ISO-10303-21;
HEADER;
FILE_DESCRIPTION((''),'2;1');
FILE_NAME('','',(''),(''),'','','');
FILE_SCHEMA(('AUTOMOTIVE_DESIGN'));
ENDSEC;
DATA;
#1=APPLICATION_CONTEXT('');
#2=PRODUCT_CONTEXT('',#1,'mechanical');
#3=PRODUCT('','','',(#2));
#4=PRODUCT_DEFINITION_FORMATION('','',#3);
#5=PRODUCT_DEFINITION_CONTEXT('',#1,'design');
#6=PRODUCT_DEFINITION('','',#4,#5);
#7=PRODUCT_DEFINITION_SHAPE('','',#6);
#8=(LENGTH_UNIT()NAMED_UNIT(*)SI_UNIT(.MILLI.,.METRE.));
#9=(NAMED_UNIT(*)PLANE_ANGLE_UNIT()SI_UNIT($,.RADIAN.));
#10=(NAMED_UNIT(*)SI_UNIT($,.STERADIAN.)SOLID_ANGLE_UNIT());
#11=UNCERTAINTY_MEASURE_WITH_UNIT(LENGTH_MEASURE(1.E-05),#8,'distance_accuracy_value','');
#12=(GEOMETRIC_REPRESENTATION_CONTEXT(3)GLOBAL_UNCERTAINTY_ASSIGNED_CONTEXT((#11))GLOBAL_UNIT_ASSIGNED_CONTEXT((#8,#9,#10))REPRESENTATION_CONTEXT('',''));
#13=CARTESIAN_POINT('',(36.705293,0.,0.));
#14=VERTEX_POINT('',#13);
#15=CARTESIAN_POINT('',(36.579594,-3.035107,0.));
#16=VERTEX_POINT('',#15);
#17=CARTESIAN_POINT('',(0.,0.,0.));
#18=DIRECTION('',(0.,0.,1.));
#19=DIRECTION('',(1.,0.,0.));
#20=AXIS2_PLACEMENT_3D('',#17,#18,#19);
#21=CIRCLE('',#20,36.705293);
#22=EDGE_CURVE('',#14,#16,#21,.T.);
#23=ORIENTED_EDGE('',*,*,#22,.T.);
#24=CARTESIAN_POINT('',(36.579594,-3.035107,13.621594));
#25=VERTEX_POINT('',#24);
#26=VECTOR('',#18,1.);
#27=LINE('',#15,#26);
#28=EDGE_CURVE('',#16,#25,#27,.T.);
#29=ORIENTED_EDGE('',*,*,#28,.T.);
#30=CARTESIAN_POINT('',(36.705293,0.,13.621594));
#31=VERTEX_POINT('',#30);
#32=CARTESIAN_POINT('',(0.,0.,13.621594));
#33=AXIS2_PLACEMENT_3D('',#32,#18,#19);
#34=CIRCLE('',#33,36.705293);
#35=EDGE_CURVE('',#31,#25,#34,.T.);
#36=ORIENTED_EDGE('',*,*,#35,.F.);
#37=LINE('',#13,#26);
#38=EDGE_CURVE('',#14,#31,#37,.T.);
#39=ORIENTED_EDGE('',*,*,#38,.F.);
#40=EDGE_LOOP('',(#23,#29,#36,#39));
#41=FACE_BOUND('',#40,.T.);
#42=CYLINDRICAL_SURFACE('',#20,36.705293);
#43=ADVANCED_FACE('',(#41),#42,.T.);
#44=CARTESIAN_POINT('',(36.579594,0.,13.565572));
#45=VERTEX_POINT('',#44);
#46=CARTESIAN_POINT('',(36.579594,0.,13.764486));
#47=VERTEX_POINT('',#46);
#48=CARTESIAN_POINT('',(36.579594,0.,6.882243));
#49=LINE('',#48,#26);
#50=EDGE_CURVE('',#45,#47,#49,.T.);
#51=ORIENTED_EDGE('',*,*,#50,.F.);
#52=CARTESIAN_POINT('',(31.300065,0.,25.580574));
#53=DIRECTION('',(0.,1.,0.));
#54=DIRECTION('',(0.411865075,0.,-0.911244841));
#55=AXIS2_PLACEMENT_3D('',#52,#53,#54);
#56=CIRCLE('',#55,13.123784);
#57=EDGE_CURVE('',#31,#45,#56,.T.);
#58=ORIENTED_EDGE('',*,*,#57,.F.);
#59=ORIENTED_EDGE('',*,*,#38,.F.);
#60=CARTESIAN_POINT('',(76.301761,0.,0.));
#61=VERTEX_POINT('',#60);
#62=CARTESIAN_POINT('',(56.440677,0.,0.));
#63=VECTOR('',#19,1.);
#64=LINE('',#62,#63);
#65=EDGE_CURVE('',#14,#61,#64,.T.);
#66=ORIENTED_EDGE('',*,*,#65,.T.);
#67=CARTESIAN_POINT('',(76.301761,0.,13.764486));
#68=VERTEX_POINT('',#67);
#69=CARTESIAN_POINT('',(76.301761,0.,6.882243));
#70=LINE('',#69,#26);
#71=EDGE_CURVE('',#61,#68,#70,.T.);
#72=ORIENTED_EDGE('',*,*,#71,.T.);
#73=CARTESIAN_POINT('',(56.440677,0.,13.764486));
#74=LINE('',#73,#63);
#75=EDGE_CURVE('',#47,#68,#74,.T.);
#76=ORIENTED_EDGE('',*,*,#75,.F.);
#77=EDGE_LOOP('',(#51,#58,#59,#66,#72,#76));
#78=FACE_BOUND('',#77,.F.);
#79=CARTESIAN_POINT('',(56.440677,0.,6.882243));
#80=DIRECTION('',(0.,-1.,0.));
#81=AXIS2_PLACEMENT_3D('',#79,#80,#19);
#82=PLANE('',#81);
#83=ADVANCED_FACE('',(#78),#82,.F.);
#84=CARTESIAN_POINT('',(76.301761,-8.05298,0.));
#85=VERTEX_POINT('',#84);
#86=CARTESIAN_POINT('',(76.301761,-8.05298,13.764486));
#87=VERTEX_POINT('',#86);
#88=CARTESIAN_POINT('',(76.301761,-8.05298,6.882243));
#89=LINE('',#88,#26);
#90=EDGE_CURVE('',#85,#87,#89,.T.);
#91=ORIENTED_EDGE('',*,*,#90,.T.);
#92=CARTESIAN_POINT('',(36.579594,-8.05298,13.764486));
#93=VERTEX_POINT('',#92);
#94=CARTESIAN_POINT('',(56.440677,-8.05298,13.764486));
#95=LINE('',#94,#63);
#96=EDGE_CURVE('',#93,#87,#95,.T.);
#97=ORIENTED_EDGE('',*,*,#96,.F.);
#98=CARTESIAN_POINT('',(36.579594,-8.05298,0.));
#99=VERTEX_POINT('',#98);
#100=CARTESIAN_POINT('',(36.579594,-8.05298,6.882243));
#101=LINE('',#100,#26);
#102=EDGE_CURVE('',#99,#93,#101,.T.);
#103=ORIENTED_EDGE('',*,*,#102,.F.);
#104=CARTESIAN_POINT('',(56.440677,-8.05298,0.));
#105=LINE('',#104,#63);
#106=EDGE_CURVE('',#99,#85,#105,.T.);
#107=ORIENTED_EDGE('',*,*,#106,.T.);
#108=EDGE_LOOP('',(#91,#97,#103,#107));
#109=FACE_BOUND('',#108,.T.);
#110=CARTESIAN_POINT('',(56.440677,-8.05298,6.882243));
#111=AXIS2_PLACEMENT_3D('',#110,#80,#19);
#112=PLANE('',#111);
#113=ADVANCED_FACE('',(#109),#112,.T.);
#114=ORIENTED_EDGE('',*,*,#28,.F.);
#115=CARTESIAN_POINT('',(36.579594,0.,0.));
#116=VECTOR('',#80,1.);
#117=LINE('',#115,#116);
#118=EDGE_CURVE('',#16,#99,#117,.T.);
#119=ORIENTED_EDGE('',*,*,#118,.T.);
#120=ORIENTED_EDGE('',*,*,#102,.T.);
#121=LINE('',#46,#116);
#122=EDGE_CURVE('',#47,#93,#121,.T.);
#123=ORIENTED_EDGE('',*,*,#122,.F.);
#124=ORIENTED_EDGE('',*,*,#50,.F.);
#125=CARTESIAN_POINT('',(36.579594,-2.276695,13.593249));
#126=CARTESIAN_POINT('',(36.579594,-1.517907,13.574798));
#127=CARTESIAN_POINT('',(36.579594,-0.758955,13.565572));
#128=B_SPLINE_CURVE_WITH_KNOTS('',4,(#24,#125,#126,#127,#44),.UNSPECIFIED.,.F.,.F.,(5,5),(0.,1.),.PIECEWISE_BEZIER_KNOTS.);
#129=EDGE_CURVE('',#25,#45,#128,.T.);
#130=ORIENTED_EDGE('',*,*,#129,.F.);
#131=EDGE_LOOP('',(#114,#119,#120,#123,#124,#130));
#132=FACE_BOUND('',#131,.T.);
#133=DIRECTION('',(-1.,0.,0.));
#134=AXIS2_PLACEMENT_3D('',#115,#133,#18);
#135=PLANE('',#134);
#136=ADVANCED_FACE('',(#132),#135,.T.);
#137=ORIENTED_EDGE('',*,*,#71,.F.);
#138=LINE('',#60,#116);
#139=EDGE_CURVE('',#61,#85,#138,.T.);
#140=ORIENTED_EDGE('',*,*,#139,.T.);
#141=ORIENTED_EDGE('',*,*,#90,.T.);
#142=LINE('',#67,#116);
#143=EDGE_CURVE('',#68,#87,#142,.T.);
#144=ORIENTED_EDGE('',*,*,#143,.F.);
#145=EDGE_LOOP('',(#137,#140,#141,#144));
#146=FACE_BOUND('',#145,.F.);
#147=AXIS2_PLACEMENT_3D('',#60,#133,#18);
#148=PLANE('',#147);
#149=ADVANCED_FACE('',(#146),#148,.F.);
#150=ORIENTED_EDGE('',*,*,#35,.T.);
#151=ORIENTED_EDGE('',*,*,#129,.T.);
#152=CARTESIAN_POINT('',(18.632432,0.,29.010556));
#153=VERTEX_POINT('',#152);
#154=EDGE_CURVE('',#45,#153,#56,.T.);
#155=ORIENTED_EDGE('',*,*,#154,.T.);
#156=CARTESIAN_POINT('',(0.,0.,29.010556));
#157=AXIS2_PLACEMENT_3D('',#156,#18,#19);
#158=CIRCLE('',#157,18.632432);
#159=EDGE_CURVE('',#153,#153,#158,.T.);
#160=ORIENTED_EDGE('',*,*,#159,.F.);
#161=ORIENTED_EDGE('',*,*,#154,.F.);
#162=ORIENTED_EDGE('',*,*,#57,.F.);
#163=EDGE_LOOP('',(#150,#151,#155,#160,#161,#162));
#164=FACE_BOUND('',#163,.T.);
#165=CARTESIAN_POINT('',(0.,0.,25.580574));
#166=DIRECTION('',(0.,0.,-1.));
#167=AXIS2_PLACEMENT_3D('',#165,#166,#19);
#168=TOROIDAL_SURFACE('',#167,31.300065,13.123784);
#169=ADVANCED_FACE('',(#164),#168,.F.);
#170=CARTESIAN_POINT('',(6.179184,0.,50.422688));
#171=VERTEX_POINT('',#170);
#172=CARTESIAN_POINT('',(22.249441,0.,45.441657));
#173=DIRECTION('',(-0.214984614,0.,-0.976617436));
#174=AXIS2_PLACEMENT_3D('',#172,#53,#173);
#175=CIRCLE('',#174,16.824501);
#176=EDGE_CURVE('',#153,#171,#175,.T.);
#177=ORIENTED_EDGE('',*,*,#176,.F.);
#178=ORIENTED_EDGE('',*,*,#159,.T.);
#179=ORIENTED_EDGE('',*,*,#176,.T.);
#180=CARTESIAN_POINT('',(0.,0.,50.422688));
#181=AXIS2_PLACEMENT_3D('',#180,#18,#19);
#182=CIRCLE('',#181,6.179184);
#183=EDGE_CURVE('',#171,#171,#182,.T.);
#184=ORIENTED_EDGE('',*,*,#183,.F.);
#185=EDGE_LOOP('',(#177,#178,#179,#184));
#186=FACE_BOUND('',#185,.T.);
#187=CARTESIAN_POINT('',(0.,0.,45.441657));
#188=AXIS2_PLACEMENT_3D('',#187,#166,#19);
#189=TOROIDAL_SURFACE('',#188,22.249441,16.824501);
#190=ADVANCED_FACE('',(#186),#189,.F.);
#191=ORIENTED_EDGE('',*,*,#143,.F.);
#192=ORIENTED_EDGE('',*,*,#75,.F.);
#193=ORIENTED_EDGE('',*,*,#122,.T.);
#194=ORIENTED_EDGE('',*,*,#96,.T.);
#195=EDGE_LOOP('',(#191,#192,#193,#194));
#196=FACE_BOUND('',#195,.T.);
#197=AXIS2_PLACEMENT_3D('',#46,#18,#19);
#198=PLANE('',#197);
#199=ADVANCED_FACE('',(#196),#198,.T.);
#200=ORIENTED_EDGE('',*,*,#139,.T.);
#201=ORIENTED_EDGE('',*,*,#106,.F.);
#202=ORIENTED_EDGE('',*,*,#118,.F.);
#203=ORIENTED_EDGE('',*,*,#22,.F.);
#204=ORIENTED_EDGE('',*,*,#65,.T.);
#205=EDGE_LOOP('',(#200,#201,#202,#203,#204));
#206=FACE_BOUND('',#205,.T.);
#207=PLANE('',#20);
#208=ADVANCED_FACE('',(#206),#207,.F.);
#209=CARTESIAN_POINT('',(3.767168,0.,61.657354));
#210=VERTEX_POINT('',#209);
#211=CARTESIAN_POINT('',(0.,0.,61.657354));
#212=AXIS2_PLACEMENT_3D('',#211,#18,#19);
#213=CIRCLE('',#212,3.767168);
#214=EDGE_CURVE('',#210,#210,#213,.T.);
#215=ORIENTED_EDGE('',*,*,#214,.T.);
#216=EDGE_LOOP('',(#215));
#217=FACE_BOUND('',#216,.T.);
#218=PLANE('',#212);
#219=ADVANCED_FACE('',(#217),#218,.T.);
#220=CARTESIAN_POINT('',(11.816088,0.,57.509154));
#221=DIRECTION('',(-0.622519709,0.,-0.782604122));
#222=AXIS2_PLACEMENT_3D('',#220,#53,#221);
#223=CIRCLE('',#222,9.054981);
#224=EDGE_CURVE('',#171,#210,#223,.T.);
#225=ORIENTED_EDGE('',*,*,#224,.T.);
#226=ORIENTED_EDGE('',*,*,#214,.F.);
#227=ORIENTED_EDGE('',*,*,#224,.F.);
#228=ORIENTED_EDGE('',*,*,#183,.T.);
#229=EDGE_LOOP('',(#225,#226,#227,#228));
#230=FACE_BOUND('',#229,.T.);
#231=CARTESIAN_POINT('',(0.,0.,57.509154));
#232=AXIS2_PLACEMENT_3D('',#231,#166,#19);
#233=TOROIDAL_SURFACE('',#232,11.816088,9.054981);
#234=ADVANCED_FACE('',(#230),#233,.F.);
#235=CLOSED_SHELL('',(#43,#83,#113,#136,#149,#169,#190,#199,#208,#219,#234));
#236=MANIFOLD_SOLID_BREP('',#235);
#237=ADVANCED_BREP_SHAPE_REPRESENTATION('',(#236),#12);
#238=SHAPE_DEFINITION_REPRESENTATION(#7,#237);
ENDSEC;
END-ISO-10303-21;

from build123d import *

# Parameters (mm, degrees)
F2_W     = 39.722167
F2_H     = 13.764486
F3_DEPTH = 8.05298


with BuildPart() as f1:
    # F0 (on Front) → F1 (revolve)
    with BuildSketch(Plane.XZ):
        with BuildLine():
            Line((0, 61.657354), (0, 0))
            Line((0, 0), (36.705293, 0))
            Line((36.705293, 0), (36.705293, 13.621594))
            ThreePointArc((36.705293, 13.621594), (22.791794, 15.588426), (18.632432, 29.010556))
            ThreePointArc((18.632432, 29.010556), (7.705818, 36.983119), (6.179184, 50.422688))
            ThreePointArc((6.179184, 50.422688), (2.962847, 55.608416), (3.767168, 61.657354))
            Line((3.767168, 61.657354), (0, 61.657354))
        make_face()
    revolve(axis=Axis((0, 0, 30.828677), (0, 0, 1)))

    # F2 (on Front) → F3 (join)
    with BuildSketch(Plane.XZ):
        with Locations((56.440677, 6.882243)):
            Rectangle(F2_W, F2_H)
    extrude(amount=F3_DEPTH)


solid = f1.part
